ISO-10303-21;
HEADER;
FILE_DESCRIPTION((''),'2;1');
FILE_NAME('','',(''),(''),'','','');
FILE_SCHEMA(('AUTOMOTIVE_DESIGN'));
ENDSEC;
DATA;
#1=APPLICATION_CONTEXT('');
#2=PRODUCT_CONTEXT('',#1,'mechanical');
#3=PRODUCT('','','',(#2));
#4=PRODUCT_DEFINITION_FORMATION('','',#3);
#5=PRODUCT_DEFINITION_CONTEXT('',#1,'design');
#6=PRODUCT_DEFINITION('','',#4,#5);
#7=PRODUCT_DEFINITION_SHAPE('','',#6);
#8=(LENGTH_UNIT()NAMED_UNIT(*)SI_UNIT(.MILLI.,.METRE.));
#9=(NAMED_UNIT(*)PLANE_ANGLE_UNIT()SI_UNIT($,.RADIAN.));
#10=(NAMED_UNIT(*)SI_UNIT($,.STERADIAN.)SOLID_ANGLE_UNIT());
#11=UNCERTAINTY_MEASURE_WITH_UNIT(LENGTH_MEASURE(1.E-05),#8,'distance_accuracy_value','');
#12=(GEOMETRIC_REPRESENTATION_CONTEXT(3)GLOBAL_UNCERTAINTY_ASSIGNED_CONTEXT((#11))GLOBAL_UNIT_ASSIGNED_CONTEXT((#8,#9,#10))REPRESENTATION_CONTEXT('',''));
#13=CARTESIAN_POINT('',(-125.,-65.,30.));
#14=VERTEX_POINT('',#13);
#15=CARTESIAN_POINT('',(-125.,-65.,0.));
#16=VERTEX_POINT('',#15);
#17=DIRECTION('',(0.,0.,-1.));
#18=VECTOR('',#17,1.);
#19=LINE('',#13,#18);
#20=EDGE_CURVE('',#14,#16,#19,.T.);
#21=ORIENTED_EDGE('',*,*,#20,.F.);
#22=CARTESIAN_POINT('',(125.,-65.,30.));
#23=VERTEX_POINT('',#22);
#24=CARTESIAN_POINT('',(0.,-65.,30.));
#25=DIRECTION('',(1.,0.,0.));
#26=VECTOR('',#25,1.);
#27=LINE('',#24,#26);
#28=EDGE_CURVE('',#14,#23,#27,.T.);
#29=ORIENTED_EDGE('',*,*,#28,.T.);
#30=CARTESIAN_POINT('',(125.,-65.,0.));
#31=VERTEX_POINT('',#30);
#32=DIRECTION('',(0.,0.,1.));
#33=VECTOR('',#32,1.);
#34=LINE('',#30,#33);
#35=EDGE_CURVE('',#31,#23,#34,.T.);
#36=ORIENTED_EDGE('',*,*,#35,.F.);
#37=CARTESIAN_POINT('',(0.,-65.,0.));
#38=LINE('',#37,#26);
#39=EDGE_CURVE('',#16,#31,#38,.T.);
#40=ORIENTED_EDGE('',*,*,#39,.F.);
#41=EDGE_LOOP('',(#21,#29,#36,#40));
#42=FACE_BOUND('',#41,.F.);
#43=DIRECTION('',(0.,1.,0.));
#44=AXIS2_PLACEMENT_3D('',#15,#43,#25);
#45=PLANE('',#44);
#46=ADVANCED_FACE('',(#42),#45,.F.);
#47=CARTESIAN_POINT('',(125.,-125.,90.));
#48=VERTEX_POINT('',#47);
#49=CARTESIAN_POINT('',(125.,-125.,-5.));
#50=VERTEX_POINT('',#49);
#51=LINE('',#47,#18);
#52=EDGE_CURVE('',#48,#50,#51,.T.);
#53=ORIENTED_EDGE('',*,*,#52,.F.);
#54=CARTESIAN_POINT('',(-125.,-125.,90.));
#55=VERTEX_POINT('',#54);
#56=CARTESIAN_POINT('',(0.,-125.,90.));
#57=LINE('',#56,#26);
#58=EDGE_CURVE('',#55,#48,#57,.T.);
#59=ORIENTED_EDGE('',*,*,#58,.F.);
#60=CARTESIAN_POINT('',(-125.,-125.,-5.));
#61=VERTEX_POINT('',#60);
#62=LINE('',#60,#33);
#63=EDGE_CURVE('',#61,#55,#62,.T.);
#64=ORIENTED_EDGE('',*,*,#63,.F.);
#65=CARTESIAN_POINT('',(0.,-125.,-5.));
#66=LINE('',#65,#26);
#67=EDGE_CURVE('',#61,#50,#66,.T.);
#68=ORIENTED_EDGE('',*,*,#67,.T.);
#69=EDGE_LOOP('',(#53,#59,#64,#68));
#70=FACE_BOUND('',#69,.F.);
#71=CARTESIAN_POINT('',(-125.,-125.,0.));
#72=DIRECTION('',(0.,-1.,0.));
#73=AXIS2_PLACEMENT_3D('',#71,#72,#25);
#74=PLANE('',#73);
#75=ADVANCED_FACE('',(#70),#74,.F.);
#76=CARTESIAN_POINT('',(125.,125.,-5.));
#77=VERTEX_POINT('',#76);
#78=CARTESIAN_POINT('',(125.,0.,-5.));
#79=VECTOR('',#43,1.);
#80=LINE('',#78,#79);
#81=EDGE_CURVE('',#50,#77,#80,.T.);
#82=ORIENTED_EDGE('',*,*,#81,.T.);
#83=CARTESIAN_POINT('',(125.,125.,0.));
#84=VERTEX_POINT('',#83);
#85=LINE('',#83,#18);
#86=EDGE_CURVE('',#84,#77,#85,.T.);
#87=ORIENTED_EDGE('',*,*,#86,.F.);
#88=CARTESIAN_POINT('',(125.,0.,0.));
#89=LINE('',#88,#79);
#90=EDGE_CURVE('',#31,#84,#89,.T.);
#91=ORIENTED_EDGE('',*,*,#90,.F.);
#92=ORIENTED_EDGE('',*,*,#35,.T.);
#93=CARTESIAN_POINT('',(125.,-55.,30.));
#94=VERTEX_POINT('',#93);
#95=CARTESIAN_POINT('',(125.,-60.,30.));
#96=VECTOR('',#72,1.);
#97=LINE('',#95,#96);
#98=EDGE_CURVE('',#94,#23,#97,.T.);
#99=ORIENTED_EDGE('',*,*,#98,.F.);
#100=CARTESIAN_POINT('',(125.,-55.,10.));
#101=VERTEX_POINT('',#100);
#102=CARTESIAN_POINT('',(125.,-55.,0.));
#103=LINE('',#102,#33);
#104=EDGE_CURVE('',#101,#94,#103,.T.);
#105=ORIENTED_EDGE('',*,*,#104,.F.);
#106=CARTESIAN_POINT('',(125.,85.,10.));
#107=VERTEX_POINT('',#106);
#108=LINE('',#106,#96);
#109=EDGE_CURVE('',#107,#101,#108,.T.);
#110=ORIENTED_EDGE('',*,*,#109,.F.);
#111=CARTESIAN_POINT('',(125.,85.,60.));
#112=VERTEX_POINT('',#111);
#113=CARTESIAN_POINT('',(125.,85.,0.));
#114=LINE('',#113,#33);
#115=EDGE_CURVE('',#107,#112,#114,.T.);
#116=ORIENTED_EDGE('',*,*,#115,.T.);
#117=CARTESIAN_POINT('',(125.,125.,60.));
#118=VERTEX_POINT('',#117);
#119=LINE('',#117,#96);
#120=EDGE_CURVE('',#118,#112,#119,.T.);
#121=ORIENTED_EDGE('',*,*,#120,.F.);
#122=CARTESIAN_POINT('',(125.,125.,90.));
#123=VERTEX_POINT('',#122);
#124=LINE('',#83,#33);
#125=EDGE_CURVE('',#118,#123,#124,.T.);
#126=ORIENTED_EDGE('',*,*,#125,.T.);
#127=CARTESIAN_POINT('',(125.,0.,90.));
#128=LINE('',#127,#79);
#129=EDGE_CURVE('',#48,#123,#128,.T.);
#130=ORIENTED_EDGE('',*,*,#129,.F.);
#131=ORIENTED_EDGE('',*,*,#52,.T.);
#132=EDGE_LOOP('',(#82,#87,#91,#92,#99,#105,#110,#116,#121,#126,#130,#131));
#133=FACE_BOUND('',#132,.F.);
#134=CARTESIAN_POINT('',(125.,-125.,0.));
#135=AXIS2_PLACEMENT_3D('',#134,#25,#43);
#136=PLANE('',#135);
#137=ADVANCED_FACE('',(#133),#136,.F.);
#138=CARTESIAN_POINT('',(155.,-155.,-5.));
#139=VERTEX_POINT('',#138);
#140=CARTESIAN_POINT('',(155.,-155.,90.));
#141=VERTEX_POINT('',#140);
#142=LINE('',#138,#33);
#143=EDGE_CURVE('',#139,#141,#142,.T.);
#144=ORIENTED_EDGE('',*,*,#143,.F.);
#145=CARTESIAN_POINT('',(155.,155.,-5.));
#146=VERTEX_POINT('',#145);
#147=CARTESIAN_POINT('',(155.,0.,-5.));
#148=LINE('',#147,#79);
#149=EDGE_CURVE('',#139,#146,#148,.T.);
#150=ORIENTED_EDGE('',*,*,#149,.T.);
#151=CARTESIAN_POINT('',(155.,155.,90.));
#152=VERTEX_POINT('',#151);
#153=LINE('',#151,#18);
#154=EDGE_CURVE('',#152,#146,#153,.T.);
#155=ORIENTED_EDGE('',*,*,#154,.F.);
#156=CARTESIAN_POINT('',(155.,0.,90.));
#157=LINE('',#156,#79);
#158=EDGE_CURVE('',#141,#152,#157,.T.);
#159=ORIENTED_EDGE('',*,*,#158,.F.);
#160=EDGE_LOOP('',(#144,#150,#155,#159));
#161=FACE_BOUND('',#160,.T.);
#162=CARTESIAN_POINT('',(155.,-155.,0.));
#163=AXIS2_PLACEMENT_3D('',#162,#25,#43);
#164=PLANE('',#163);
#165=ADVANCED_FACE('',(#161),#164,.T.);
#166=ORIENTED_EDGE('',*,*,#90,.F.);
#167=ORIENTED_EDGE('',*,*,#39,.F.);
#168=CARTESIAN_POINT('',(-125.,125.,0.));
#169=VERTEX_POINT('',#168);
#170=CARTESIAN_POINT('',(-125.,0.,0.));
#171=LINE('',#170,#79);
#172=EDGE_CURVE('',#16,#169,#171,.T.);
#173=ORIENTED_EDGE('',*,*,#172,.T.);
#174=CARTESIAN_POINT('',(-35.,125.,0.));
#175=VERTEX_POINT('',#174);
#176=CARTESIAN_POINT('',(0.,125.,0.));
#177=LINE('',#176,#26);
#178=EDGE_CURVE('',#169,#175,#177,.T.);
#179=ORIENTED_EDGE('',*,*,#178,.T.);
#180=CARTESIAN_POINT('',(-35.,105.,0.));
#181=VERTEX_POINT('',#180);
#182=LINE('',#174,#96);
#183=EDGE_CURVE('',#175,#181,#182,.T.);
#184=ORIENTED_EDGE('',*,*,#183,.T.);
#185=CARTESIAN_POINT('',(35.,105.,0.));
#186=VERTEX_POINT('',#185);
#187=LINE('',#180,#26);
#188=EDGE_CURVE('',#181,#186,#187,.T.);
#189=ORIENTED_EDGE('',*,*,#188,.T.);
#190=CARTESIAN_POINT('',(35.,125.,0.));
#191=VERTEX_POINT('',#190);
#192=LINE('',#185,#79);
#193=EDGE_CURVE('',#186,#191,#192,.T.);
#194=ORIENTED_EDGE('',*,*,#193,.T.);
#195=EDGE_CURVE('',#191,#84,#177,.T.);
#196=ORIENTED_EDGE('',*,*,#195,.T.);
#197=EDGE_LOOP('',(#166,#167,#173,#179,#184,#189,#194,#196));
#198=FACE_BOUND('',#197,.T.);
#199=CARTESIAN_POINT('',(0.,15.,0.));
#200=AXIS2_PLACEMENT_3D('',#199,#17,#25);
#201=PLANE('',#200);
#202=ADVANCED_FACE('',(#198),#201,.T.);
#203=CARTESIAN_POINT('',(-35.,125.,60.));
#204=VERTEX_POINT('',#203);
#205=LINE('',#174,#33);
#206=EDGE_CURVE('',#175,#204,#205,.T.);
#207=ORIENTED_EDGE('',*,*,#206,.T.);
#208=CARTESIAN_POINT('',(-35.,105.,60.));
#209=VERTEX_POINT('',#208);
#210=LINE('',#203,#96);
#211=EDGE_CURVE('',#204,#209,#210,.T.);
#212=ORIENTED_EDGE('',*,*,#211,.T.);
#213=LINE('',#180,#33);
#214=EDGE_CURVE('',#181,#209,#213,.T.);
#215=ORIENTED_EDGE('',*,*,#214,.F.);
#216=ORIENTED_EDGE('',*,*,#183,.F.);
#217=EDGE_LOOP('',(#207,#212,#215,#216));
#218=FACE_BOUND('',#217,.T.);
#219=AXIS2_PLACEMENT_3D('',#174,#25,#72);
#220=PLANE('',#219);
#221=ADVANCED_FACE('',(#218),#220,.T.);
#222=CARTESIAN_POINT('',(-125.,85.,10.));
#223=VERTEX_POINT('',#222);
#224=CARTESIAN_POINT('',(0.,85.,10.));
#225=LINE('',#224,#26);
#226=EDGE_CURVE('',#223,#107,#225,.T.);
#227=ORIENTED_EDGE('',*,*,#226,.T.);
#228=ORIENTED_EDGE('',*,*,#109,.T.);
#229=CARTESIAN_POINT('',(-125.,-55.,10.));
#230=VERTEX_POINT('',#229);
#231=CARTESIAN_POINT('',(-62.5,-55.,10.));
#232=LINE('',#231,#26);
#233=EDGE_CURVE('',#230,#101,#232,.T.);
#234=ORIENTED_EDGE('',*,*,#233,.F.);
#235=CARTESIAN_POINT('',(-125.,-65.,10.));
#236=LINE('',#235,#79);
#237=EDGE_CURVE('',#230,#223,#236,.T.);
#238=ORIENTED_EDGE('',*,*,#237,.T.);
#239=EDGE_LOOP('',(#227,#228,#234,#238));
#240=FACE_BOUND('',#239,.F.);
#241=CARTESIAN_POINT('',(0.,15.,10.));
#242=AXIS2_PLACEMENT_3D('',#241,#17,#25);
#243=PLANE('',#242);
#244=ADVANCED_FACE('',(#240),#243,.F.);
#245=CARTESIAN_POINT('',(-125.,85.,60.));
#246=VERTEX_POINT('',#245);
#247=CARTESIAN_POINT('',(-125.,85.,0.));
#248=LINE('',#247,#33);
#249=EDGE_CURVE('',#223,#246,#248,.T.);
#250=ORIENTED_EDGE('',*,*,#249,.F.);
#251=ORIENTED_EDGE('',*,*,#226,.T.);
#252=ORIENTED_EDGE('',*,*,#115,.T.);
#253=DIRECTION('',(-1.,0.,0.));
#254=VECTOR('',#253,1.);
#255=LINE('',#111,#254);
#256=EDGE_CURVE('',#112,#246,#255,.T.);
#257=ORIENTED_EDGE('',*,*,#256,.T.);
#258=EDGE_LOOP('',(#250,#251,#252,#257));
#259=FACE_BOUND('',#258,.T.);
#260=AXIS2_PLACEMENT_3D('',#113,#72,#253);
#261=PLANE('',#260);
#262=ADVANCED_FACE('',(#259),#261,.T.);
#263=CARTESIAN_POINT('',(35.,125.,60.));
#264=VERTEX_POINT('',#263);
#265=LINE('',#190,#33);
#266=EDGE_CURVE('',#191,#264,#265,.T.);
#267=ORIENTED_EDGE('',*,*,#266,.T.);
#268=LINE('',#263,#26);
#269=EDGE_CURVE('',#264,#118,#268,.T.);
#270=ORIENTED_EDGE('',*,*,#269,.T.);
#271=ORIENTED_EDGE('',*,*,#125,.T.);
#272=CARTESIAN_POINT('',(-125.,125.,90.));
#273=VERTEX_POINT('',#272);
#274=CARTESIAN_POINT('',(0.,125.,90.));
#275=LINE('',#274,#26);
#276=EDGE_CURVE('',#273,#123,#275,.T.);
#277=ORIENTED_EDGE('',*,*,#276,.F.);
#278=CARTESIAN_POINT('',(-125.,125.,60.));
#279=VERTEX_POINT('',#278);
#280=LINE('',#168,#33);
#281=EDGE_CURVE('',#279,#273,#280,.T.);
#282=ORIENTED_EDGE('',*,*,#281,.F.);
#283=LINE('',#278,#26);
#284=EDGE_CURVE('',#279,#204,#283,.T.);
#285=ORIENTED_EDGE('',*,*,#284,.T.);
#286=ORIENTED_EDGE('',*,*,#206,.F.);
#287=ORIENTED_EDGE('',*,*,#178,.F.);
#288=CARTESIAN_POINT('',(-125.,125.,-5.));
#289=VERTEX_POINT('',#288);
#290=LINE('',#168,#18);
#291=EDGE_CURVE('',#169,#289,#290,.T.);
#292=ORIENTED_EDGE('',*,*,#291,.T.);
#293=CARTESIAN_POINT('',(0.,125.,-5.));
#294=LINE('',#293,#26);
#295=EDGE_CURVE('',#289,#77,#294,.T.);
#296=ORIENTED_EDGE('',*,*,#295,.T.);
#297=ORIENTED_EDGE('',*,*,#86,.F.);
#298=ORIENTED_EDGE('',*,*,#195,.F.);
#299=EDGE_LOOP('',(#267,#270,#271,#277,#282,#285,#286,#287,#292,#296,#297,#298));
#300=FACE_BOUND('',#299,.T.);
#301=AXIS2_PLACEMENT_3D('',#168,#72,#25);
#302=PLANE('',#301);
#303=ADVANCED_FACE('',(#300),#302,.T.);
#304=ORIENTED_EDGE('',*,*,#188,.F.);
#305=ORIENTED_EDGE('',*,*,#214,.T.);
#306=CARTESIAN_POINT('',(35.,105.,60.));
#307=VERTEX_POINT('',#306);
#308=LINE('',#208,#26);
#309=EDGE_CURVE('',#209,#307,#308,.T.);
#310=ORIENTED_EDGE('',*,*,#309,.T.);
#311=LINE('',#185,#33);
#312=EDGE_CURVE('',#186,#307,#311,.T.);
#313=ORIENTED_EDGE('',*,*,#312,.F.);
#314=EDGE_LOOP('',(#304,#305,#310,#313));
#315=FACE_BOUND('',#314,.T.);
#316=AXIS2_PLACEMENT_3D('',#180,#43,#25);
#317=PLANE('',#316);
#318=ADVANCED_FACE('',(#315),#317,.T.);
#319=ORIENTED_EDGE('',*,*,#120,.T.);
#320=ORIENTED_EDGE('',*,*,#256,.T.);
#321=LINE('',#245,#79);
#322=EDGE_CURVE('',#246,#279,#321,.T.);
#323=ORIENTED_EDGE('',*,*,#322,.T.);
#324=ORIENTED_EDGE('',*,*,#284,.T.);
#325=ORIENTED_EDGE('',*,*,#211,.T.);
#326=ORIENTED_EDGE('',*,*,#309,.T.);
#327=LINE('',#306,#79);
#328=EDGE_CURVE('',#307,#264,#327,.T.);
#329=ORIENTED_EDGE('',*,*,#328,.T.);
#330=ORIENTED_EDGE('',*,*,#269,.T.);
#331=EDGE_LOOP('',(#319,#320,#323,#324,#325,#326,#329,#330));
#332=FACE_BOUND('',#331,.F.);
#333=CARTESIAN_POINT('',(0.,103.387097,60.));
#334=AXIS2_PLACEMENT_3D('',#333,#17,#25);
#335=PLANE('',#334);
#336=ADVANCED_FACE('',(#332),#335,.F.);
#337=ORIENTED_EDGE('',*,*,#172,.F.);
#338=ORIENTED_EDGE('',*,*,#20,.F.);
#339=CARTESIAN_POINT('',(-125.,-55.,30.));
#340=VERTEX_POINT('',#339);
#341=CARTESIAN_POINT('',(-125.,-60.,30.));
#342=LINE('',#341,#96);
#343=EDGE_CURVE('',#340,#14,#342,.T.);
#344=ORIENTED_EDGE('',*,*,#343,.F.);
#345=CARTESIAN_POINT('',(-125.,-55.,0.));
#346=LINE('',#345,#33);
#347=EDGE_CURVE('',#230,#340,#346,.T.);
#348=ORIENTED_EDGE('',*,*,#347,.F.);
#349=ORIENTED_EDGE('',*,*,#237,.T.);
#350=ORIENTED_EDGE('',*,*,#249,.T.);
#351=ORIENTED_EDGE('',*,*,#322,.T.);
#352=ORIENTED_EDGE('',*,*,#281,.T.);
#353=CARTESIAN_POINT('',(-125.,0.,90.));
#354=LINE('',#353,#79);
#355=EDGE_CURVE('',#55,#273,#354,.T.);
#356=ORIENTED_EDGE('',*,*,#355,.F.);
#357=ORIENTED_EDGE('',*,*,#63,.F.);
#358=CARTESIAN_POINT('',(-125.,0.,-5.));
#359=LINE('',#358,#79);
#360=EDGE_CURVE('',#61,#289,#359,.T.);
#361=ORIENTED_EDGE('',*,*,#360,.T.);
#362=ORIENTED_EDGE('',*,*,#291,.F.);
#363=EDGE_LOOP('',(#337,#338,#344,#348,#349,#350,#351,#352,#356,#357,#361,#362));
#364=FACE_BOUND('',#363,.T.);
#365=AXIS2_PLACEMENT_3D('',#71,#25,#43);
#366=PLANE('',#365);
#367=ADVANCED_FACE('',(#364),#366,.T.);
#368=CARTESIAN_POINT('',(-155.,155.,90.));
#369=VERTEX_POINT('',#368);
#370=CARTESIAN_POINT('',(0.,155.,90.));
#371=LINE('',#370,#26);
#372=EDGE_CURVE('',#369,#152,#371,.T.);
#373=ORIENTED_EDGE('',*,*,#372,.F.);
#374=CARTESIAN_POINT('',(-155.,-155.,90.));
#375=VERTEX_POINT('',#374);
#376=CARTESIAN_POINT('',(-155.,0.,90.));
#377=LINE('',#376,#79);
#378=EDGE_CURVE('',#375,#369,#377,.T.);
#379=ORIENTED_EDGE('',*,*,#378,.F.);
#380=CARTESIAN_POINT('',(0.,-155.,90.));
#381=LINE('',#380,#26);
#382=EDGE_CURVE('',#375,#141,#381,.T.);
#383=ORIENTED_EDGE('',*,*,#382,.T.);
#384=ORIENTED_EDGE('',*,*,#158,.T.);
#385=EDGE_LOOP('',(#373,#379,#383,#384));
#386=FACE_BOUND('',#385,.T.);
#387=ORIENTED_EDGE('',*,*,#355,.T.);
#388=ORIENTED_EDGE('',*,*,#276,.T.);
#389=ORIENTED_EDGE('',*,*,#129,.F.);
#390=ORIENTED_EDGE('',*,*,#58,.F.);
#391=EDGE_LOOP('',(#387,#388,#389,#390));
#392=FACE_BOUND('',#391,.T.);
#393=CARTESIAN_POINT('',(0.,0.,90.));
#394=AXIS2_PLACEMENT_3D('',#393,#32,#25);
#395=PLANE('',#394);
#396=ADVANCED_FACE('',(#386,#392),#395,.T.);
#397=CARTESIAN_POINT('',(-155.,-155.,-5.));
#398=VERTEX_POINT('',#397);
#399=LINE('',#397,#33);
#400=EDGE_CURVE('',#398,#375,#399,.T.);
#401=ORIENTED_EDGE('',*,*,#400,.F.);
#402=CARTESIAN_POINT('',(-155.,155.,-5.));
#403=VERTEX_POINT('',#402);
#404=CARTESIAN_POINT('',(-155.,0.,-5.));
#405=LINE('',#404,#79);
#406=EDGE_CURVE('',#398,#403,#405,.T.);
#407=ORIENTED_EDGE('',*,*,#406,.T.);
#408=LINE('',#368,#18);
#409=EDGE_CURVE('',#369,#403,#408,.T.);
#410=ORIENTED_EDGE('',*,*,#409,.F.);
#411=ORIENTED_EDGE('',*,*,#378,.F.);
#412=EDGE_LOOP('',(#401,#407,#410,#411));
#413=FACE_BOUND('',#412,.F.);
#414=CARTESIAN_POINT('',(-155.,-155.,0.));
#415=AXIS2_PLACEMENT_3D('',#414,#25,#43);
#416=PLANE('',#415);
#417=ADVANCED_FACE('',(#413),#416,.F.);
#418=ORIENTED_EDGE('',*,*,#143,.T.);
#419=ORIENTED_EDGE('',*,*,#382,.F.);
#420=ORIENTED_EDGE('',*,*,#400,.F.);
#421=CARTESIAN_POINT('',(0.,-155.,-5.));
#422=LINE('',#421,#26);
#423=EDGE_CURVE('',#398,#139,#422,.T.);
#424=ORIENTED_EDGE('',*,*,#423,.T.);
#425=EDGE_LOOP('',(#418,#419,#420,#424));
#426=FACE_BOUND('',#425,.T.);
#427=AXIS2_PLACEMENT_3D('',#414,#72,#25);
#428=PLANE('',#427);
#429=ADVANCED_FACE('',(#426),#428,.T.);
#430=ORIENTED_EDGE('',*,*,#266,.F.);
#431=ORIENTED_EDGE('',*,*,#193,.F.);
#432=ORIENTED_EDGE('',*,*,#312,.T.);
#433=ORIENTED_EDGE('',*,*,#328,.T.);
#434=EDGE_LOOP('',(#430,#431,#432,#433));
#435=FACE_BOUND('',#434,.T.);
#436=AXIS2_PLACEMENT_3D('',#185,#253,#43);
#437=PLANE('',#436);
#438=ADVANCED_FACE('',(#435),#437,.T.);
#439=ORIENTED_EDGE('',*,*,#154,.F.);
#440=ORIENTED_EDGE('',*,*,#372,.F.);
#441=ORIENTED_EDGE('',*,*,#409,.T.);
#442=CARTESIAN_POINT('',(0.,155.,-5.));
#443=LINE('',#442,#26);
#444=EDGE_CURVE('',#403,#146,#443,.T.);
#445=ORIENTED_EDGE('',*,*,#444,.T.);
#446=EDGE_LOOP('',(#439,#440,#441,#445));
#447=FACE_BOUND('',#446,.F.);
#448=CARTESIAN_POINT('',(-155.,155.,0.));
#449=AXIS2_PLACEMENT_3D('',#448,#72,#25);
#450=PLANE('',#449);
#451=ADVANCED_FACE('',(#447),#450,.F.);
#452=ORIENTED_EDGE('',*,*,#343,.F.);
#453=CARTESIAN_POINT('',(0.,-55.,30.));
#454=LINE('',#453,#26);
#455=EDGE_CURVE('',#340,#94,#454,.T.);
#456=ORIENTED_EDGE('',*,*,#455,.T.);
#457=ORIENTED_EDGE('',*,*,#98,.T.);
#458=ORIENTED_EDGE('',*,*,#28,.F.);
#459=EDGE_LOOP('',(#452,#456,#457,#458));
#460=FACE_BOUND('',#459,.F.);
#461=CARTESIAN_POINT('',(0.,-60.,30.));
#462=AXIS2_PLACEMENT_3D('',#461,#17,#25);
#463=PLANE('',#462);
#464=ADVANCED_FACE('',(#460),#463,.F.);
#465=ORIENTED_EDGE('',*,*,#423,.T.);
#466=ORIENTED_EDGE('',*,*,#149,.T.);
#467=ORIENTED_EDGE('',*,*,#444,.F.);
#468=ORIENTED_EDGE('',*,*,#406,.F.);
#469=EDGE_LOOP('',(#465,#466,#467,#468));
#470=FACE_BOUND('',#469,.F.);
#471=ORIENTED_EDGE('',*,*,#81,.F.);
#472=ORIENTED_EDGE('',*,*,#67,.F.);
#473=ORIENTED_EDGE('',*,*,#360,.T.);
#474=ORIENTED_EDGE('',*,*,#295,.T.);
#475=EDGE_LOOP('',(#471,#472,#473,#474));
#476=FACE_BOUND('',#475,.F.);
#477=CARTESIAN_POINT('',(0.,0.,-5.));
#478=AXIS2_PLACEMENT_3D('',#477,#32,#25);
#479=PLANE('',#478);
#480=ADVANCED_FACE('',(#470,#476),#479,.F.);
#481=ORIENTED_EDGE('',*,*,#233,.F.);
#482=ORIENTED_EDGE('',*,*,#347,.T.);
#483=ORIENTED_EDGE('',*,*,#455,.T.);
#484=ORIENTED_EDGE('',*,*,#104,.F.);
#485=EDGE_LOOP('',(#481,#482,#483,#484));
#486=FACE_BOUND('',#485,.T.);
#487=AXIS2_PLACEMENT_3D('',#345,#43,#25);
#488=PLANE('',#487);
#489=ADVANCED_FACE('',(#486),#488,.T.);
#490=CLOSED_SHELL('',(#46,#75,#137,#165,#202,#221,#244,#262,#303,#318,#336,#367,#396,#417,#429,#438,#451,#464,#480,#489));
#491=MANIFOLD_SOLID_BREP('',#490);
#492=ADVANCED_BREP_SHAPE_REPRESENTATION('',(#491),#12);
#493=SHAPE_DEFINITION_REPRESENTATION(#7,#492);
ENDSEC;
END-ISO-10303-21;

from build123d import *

# Parameters (mm, degrees)
F0_W     = 310
F0_H     = 310
F0_W_2   = 250
F0_H_2   = 250
F1_DEPTH = 90
F3_DEPTH = 60
F4_W     = 250
F4_H     = 140
F4_H_2   = 10
F5_DEPTH = 10
F6_DEPTH = 30
F7_DEPTH = 5


with BuildPart() as f1:
    # F0 (on Top) → F1 (new body)
    with BuildSketch(Plane.XY):
        Rectangle(F0_W, F0_H)
        Rectangle(F0_W_2, F0_H_2, mode=Mode.SUBTRACT)
    extrude(amount=F1_DEPTH)

    # F2 (on face) → F3 (join)
    with BuildSketch(Plane(origin=(0, 0, 0), x_dir=(1, 0, 0), z_dir=(0, 0, -1))):
        Polygon((-125, -85), (-125, -125), (-35, -125), (-35, -105), (35, -105), (35, -125), (125, -125), (125, -85), align=None)
    extrude(amount=-F3_DEPTH)

    # F4 (on face) → F5 (join)
    with BuildSketch(Plane(origin=(0, 0, 0), x_dir=(1, 0, 0), z_dir=(0, 0, -1))):
        with Locations((0, -15)):
            Rectangle(F4_W, F4_H)
        with Locations((0, 60)):
            Rectangle(F4_W, F4_H_2)
    extrude(amount=-F5_DEPTH)

    # F4 (on face) → F6 (join)
    with BuildSketch(Plane(origin=(0, 0, 0), x_dir=(1, 0, 0), z_dir=(0, 0, -1))):
        with Locations((0, 60)):
            Rectangle(F4_W, F4_H_2)
    extrude(amount=-F6_DEPTH)

    # F0 (on Top) → F7 (join)
    with BuildSketch(Plane.XY):
        Rectangle(F0_W, F0_H)
        Rectangle(F0_W_2, F0_H_2, mode=Mode.SUBTRACT)
    extrude(amount=-F7_DEPTH)


solid = f1.part
